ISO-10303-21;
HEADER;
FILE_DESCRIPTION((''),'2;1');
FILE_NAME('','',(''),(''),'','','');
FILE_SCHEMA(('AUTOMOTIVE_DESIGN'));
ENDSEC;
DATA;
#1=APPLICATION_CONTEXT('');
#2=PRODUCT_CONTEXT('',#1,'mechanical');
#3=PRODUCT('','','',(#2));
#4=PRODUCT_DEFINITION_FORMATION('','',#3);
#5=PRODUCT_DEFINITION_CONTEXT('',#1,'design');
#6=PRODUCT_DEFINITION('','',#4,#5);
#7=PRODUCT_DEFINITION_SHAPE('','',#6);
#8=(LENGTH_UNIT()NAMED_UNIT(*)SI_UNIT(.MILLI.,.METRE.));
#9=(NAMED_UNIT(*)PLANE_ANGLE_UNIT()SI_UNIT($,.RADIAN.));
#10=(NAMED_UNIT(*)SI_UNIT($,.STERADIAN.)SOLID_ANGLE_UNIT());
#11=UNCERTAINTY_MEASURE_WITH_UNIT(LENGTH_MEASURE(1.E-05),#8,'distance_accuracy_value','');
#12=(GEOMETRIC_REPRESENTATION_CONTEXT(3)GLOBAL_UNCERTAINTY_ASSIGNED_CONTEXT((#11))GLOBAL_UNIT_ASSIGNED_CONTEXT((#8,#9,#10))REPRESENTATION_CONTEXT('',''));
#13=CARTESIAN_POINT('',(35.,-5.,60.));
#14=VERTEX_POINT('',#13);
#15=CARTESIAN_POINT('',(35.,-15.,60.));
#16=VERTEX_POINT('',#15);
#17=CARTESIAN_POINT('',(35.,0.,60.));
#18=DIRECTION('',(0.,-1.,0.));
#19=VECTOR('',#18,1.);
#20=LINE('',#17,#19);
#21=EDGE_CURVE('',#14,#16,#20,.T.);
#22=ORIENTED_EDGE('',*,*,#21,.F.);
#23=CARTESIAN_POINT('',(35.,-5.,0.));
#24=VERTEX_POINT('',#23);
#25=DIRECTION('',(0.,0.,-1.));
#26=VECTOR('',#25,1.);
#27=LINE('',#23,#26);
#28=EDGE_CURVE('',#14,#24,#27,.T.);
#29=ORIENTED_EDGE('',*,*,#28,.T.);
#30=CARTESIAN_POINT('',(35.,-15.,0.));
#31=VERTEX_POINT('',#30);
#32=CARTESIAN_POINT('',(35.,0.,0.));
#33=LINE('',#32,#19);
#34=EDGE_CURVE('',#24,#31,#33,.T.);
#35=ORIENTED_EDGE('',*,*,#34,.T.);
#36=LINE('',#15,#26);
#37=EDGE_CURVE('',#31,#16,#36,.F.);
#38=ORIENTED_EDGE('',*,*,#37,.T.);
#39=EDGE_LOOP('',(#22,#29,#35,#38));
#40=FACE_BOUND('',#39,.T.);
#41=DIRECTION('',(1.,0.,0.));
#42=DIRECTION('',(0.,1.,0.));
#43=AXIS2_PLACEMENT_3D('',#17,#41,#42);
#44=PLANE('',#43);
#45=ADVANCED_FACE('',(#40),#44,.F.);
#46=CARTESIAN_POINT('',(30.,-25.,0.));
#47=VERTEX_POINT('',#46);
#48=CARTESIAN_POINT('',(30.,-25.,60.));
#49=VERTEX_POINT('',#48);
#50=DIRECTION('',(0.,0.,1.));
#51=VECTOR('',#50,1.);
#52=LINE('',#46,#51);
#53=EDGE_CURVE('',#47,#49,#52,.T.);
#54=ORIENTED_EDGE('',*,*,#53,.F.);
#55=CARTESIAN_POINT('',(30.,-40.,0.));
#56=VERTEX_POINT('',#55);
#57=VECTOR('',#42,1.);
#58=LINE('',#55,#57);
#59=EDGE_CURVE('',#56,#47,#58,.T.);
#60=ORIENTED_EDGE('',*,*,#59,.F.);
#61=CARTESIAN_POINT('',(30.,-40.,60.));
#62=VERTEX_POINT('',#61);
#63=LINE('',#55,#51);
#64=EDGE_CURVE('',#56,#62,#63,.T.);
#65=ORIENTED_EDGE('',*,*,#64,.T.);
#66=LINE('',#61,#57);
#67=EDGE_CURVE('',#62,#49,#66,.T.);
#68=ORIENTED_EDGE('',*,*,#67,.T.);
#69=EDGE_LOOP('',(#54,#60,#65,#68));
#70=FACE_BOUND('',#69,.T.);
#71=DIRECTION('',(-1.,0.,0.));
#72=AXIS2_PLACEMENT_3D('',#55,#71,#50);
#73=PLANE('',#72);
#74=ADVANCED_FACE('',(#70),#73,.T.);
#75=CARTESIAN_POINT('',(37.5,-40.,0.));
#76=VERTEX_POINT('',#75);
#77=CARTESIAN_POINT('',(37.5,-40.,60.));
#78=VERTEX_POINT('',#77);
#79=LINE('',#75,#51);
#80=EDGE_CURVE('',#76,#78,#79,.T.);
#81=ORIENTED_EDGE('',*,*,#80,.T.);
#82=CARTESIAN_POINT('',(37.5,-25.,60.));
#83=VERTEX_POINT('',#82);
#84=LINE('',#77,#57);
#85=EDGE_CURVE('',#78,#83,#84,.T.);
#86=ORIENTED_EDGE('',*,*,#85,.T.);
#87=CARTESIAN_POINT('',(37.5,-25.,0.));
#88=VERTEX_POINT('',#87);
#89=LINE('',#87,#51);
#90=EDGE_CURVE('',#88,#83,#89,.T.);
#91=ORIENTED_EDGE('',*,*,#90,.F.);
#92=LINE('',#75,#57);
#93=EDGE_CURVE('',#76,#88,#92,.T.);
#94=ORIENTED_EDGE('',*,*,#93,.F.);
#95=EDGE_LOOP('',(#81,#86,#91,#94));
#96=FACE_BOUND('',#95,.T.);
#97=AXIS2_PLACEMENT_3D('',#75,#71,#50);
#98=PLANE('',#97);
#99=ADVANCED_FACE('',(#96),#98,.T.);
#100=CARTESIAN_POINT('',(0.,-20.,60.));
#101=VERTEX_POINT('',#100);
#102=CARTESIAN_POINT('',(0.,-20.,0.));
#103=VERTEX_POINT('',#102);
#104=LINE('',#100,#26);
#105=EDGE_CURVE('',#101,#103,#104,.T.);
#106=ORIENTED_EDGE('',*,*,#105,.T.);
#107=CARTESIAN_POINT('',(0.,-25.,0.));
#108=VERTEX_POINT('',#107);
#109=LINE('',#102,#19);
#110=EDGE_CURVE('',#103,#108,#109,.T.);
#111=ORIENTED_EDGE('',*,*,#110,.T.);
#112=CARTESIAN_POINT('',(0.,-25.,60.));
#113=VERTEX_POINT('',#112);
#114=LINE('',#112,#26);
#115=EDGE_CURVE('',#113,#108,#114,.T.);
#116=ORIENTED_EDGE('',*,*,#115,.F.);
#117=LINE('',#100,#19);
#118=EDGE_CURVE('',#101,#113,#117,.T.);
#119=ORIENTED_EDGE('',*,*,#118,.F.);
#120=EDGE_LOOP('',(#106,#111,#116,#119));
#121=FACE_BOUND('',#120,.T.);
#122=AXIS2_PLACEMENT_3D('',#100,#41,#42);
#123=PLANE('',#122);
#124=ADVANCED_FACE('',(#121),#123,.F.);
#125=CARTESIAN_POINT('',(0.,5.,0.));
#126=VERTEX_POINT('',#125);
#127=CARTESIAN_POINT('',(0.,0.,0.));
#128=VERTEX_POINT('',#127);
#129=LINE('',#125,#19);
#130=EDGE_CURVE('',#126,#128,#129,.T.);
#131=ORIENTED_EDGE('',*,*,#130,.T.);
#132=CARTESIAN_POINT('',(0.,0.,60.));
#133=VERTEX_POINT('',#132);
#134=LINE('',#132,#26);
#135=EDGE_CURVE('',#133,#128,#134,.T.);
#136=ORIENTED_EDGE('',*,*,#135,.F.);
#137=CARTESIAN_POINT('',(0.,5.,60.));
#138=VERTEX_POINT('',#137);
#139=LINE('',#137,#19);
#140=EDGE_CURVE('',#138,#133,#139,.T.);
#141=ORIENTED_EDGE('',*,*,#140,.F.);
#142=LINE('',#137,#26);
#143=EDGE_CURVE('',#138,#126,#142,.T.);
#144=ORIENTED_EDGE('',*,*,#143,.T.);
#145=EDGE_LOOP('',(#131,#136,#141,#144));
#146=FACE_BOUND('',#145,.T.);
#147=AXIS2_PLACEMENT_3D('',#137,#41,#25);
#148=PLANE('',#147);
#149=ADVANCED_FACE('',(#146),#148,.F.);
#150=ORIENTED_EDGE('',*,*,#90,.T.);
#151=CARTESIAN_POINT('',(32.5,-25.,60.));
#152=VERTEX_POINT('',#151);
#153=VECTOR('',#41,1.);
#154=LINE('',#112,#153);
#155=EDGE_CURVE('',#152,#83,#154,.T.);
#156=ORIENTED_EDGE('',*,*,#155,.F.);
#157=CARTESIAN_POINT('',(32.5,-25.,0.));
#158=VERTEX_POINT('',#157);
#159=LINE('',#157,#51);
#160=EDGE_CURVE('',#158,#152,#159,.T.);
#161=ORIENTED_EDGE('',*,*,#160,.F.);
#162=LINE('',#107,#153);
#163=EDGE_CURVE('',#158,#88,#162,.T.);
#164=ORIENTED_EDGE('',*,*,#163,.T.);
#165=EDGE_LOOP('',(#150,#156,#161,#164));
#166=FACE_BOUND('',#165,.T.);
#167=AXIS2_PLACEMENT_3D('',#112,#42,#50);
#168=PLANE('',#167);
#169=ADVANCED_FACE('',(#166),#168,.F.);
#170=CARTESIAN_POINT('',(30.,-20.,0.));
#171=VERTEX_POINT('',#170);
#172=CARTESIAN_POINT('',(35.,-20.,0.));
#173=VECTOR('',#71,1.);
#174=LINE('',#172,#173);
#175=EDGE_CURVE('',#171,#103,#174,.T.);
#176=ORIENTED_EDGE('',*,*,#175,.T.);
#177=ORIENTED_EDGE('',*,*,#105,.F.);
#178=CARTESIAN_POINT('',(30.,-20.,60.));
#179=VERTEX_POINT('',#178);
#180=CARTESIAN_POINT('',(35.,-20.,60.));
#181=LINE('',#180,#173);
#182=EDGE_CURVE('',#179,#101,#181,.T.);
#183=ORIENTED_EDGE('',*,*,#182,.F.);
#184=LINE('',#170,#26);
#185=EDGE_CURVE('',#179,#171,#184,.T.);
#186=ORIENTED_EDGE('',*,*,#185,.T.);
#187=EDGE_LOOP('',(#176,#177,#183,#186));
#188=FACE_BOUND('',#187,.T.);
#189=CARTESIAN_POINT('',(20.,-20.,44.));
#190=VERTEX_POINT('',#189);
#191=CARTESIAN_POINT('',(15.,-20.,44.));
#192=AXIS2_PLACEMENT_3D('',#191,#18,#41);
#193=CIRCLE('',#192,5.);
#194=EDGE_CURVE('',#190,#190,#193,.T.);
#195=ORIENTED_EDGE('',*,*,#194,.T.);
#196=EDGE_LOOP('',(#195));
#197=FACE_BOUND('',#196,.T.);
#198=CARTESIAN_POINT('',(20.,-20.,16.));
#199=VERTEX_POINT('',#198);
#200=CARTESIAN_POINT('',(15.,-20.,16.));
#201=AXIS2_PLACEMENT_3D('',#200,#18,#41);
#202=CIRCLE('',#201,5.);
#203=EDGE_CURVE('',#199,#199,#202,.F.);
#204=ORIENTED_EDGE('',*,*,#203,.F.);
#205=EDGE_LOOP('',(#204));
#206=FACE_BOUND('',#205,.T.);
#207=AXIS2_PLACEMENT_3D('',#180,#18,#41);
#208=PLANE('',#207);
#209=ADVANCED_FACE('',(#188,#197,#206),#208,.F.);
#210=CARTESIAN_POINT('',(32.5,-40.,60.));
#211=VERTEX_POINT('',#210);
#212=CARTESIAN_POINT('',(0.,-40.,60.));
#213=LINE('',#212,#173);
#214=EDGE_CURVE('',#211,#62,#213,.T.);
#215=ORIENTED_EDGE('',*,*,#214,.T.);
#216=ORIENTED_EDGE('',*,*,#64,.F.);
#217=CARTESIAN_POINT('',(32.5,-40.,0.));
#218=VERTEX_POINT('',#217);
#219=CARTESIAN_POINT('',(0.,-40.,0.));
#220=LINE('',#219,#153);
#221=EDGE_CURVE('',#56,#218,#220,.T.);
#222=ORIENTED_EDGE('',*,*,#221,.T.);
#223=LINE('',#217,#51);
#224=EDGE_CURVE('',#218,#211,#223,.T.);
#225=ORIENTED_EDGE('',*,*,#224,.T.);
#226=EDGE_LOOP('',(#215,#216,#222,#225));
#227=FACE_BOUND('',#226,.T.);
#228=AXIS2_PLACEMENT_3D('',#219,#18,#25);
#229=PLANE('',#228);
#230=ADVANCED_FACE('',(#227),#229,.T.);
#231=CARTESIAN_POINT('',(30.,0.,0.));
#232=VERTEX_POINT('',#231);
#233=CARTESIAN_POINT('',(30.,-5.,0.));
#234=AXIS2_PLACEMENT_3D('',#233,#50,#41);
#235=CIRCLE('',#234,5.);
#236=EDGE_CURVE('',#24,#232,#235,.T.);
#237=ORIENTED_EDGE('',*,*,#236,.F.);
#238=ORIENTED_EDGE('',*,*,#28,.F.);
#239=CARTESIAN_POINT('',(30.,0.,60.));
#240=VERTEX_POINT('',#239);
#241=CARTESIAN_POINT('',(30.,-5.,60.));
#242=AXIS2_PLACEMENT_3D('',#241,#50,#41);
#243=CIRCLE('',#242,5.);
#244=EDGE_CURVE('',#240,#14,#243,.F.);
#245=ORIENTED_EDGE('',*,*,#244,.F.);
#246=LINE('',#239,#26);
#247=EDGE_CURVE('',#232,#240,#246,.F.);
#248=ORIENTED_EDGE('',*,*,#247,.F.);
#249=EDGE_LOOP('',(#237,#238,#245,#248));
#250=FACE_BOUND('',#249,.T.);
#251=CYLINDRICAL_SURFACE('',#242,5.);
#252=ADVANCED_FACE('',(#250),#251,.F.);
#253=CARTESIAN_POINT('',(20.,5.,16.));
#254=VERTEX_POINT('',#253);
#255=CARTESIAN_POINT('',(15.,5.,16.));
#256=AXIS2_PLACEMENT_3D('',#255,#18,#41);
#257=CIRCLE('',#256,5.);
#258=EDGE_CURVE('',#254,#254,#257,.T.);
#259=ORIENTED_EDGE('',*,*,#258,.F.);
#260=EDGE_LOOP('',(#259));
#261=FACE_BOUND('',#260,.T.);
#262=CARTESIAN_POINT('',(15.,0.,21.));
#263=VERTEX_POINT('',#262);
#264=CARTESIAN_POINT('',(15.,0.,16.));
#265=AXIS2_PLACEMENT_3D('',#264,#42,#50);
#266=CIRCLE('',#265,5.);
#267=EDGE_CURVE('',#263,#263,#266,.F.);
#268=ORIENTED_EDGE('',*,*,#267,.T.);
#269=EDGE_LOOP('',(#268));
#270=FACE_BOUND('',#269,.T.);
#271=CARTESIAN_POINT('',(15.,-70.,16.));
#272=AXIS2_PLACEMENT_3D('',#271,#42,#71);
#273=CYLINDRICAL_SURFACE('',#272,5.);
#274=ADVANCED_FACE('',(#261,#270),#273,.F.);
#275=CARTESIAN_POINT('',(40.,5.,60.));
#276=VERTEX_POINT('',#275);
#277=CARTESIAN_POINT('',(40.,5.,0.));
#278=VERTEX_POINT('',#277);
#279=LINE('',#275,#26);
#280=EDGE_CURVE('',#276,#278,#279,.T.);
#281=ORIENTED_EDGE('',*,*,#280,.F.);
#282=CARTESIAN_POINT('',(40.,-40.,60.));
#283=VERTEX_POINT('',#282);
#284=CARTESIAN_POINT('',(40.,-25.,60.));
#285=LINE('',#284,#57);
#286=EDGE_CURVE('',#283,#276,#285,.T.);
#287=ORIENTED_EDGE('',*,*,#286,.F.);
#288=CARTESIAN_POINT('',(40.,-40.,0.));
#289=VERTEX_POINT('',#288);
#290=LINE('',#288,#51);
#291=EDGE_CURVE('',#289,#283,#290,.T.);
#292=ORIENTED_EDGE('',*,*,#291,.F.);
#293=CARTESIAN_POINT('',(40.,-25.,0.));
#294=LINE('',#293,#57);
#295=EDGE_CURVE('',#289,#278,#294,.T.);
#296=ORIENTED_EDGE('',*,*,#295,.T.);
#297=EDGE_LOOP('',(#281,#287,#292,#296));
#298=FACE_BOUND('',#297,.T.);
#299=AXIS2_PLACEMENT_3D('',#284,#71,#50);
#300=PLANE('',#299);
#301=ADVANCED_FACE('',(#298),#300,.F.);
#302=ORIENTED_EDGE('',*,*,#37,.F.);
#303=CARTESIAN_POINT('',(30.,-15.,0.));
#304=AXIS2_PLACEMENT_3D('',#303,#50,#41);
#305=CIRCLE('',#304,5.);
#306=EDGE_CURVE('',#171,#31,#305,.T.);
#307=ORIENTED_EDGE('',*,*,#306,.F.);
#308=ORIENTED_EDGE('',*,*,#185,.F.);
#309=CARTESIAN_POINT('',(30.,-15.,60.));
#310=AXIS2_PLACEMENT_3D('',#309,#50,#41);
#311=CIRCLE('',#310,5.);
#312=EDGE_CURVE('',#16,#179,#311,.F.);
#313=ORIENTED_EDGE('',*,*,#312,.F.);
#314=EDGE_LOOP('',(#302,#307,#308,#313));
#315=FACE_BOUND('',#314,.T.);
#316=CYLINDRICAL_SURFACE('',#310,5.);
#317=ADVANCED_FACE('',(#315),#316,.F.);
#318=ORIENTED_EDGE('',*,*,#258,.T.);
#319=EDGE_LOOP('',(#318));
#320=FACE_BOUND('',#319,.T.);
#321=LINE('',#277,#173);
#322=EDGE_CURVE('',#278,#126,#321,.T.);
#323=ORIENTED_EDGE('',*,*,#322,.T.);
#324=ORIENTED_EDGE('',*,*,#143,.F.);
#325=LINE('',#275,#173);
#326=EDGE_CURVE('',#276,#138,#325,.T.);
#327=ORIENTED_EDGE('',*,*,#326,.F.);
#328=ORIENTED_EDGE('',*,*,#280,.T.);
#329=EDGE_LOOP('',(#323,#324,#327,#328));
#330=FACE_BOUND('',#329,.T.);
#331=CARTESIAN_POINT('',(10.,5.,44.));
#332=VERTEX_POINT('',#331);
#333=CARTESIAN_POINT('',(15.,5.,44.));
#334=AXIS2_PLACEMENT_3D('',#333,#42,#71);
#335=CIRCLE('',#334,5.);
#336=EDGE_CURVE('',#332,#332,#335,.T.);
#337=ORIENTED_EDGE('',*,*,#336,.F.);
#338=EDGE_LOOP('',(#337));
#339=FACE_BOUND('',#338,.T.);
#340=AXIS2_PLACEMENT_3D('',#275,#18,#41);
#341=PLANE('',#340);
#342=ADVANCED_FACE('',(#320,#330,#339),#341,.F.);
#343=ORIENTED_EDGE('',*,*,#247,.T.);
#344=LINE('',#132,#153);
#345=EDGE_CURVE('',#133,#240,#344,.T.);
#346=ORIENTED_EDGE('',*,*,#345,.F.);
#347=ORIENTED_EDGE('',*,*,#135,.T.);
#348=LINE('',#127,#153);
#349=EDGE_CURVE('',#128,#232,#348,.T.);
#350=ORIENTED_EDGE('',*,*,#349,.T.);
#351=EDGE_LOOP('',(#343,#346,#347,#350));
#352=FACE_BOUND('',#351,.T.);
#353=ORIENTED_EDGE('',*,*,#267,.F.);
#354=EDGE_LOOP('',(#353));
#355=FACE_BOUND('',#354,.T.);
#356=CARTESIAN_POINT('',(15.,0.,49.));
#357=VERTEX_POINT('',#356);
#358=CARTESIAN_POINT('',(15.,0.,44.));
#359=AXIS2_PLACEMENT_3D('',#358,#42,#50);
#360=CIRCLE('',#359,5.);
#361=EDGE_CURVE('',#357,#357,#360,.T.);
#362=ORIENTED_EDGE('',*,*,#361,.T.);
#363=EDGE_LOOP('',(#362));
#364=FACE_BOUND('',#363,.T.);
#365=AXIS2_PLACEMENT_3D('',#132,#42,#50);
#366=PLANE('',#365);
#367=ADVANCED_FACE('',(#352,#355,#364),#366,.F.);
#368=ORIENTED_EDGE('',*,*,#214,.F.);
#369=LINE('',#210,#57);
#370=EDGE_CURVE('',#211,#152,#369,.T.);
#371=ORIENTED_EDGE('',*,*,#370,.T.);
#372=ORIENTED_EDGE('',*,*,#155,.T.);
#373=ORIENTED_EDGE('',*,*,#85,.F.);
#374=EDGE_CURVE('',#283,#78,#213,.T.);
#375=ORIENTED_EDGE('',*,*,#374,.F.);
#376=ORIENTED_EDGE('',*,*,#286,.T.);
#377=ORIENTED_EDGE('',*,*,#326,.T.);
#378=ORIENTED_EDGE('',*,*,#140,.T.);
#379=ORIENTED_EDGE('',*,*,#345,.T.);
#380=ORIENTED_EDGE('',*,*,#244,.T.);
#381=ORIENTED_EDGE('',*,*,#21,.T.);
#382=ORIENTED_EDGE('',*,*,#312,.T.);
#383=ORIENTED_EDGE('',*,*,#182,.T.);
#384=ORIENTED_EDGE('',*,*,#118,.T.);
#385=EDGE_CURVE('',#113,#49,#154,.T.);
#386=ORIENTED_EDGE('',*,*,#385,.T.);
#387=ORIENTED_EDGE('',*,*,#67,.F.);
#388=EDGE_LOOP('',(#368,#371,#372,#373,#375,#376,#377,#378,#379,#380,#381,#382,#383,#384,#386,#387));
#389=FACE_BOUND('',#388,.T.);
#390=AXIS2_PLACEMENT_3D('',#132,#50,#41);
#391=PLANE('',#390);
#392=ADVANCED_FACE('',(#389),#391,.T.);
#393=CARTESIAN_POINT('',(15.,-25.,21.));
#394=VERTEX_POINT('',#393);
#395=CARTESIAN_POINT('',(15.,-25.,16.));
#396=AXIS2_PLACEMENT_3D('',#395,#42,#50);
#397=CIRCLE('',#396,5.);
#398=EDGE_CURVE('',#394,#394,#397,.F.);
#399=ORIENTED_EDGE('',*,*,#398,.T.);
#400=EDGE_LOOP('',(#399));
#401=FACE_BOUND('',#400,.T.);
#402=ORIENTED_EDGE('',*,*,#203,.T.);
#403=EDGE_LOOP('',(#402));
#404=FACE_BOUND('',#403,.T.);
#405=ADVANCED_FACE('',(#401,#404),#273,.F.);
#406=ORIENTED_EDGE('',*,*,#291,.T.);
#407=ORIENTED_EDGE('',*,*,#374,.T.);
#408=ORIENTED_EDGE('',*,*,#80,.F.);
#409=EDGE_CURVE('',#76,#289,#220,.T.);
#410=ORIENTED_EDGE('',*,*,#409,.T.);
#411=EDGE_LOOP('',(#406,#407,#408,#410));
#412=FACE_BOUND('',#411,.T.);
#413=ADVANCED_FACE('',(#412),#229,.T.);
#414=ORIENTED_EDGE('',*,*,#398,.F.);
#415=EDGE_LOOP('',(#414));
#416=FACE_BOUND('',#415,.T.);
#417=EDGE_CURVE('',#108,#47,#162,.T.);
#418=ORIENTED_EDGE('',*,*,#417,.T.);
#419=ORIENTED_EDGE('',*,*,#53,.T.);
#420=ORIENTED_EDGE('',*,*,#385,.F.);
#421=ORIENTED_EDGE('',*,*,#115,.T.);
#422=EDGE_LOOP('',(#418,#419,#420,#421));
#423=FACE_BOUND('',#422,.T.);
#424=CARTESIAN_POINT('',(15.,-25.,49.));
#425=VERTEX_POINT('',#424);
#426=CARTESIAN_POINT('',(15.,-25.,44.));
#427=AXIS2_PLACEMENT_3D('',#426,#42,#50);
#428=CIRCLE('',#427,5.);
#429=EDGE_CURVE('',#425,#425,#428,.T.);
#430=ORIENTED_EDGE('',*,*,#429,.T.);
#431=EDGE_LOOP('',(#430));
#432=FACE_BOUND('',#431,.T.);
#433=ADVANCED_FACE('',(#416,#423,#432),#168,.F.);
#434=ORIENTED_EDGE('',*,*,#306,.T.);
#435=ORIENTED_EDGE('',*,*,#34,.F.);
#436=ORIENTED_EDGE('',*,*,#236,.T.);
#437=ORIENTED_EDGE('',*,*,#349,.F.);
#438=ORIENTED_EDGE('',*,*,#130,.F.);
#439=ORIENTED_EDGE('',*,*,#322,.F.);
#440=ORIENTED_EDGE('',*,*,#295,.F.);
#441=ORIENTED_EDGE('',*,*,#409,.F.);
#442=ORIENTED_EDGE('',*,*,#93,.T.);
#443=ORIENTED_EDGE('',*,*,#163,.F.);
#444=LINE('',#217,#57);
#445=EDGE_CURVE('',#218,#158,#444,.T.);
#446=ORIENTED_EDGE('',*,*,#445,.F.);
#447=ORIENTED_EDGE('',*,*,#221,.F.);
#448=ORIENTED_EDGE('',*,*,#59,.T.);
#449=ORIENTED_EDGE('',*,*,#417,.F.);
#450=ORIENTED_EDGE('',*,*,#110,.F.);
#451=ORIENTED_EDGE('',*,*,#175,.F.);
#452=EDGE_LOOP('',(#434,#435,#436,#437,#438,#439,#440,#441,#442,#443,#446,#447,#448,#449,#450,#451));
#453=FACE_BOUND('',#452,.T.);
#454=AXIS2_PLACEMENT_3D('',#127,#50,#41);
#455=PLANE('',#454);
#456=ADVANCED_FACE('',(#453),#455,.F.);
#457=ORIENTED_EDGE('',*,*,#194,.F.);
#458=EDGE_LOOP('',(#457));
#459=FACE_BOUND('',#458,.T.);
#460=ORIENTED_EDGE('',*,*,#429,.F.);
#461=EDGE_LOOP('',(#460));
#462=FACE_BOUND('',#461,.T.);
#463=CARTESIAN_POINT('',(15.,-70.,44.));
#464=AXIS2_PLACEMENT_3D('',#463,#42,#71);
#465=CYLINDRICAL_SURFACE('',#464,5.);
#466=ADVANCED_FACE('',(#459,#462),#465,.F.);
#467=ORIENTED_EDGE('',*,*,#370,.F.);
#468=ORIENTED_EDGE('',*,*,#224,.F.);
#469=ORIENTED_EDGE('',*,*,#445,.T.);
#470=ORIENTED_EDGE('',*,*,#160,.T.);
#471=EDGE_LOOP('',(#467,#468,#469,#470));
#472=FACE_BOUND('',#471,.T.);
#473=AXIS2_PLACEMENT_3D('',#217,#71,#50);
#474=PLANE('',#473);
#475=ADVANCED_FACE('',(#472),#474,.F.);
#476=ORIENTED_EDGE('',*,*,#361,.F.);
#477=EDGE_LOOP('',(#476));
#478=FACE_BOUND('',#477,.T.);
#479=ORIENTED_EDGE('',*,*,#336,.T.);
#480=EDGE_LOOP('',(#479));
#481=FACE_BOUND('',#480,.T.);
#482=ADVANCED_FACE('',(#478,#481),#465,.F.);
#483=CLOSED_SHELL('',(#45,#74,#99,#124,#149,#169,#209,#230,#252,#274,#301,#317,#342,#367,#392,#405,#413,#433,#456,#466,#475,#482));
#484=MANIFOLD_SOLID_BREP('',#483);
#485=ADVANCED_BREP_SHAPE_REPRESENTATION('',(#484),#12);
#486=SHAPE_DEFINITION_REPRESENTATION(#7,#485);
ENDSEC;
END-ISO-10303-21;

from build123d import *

# Parameters (mm, degrees)
BOSS_EXTRUDE1_DEPTH = 60
FILLET1_R           = 5
SKETCH2_R           = 5
CUT_EXTRUDE1_DEPTH  = 75
SKETCH3_W           = 2.5
SKETCH3_H           = 60
BOSS_EXTRUDE2_DEPTH = 15


with BuildPart() as part:
    # Sketch1 → Boss-Extrude1 (new body)
    with BuildSketch(Plane.XY):
        Polygon((0, 0), (35, 0), (35, -20), (0, -20), (0, -25), (40, -25), (40, 5), (0, 5), align=None)
    extrude(amount=BOSS_EXTRUDE1_DEPTH)

    # Fillet1
    fillet1_edges = [part.edges().sort_by_distance(p)[0] for p in [
        (35, -20, 30),
        (35, 0, 30),
    ]]
    fillet(fillet1_edges, radius=FILLET1_R)

    # Sketch2 → Cut-Extrude1 (cut)
    with BuildSketch(Plane(origin=(0, 5, 0), x_dir=(1, 0, 0), z_dir=(0, 1, 0))):
        with Locations(Location((15, -44, 0), (0, 0, 180))):
            Circle(SKETCH2_R)
        with Locations(Location((15, -16, 0), (0, 0, 270))):
            Circle(SKETCH2_R)
    extrude(amount=-CUT_EXTRUDE1_DEPTH, mode=Mode.SUBTRACT)

    # Sketch3 → Boss-Extrude2 (add)
    with BuildSketch(Plane.XZ.offset(25)):
        with Locations((31.25, 30)):
            Rectangle(SKETCH3_W, SKETCH3_H)
        with Locations((38.75, 30)):
            Rectangle(SKETCH3_W, SKETCH3_H)
    extrude(amount=BOSS_EXTRUDE2_DEPTH)


solid = part.part
